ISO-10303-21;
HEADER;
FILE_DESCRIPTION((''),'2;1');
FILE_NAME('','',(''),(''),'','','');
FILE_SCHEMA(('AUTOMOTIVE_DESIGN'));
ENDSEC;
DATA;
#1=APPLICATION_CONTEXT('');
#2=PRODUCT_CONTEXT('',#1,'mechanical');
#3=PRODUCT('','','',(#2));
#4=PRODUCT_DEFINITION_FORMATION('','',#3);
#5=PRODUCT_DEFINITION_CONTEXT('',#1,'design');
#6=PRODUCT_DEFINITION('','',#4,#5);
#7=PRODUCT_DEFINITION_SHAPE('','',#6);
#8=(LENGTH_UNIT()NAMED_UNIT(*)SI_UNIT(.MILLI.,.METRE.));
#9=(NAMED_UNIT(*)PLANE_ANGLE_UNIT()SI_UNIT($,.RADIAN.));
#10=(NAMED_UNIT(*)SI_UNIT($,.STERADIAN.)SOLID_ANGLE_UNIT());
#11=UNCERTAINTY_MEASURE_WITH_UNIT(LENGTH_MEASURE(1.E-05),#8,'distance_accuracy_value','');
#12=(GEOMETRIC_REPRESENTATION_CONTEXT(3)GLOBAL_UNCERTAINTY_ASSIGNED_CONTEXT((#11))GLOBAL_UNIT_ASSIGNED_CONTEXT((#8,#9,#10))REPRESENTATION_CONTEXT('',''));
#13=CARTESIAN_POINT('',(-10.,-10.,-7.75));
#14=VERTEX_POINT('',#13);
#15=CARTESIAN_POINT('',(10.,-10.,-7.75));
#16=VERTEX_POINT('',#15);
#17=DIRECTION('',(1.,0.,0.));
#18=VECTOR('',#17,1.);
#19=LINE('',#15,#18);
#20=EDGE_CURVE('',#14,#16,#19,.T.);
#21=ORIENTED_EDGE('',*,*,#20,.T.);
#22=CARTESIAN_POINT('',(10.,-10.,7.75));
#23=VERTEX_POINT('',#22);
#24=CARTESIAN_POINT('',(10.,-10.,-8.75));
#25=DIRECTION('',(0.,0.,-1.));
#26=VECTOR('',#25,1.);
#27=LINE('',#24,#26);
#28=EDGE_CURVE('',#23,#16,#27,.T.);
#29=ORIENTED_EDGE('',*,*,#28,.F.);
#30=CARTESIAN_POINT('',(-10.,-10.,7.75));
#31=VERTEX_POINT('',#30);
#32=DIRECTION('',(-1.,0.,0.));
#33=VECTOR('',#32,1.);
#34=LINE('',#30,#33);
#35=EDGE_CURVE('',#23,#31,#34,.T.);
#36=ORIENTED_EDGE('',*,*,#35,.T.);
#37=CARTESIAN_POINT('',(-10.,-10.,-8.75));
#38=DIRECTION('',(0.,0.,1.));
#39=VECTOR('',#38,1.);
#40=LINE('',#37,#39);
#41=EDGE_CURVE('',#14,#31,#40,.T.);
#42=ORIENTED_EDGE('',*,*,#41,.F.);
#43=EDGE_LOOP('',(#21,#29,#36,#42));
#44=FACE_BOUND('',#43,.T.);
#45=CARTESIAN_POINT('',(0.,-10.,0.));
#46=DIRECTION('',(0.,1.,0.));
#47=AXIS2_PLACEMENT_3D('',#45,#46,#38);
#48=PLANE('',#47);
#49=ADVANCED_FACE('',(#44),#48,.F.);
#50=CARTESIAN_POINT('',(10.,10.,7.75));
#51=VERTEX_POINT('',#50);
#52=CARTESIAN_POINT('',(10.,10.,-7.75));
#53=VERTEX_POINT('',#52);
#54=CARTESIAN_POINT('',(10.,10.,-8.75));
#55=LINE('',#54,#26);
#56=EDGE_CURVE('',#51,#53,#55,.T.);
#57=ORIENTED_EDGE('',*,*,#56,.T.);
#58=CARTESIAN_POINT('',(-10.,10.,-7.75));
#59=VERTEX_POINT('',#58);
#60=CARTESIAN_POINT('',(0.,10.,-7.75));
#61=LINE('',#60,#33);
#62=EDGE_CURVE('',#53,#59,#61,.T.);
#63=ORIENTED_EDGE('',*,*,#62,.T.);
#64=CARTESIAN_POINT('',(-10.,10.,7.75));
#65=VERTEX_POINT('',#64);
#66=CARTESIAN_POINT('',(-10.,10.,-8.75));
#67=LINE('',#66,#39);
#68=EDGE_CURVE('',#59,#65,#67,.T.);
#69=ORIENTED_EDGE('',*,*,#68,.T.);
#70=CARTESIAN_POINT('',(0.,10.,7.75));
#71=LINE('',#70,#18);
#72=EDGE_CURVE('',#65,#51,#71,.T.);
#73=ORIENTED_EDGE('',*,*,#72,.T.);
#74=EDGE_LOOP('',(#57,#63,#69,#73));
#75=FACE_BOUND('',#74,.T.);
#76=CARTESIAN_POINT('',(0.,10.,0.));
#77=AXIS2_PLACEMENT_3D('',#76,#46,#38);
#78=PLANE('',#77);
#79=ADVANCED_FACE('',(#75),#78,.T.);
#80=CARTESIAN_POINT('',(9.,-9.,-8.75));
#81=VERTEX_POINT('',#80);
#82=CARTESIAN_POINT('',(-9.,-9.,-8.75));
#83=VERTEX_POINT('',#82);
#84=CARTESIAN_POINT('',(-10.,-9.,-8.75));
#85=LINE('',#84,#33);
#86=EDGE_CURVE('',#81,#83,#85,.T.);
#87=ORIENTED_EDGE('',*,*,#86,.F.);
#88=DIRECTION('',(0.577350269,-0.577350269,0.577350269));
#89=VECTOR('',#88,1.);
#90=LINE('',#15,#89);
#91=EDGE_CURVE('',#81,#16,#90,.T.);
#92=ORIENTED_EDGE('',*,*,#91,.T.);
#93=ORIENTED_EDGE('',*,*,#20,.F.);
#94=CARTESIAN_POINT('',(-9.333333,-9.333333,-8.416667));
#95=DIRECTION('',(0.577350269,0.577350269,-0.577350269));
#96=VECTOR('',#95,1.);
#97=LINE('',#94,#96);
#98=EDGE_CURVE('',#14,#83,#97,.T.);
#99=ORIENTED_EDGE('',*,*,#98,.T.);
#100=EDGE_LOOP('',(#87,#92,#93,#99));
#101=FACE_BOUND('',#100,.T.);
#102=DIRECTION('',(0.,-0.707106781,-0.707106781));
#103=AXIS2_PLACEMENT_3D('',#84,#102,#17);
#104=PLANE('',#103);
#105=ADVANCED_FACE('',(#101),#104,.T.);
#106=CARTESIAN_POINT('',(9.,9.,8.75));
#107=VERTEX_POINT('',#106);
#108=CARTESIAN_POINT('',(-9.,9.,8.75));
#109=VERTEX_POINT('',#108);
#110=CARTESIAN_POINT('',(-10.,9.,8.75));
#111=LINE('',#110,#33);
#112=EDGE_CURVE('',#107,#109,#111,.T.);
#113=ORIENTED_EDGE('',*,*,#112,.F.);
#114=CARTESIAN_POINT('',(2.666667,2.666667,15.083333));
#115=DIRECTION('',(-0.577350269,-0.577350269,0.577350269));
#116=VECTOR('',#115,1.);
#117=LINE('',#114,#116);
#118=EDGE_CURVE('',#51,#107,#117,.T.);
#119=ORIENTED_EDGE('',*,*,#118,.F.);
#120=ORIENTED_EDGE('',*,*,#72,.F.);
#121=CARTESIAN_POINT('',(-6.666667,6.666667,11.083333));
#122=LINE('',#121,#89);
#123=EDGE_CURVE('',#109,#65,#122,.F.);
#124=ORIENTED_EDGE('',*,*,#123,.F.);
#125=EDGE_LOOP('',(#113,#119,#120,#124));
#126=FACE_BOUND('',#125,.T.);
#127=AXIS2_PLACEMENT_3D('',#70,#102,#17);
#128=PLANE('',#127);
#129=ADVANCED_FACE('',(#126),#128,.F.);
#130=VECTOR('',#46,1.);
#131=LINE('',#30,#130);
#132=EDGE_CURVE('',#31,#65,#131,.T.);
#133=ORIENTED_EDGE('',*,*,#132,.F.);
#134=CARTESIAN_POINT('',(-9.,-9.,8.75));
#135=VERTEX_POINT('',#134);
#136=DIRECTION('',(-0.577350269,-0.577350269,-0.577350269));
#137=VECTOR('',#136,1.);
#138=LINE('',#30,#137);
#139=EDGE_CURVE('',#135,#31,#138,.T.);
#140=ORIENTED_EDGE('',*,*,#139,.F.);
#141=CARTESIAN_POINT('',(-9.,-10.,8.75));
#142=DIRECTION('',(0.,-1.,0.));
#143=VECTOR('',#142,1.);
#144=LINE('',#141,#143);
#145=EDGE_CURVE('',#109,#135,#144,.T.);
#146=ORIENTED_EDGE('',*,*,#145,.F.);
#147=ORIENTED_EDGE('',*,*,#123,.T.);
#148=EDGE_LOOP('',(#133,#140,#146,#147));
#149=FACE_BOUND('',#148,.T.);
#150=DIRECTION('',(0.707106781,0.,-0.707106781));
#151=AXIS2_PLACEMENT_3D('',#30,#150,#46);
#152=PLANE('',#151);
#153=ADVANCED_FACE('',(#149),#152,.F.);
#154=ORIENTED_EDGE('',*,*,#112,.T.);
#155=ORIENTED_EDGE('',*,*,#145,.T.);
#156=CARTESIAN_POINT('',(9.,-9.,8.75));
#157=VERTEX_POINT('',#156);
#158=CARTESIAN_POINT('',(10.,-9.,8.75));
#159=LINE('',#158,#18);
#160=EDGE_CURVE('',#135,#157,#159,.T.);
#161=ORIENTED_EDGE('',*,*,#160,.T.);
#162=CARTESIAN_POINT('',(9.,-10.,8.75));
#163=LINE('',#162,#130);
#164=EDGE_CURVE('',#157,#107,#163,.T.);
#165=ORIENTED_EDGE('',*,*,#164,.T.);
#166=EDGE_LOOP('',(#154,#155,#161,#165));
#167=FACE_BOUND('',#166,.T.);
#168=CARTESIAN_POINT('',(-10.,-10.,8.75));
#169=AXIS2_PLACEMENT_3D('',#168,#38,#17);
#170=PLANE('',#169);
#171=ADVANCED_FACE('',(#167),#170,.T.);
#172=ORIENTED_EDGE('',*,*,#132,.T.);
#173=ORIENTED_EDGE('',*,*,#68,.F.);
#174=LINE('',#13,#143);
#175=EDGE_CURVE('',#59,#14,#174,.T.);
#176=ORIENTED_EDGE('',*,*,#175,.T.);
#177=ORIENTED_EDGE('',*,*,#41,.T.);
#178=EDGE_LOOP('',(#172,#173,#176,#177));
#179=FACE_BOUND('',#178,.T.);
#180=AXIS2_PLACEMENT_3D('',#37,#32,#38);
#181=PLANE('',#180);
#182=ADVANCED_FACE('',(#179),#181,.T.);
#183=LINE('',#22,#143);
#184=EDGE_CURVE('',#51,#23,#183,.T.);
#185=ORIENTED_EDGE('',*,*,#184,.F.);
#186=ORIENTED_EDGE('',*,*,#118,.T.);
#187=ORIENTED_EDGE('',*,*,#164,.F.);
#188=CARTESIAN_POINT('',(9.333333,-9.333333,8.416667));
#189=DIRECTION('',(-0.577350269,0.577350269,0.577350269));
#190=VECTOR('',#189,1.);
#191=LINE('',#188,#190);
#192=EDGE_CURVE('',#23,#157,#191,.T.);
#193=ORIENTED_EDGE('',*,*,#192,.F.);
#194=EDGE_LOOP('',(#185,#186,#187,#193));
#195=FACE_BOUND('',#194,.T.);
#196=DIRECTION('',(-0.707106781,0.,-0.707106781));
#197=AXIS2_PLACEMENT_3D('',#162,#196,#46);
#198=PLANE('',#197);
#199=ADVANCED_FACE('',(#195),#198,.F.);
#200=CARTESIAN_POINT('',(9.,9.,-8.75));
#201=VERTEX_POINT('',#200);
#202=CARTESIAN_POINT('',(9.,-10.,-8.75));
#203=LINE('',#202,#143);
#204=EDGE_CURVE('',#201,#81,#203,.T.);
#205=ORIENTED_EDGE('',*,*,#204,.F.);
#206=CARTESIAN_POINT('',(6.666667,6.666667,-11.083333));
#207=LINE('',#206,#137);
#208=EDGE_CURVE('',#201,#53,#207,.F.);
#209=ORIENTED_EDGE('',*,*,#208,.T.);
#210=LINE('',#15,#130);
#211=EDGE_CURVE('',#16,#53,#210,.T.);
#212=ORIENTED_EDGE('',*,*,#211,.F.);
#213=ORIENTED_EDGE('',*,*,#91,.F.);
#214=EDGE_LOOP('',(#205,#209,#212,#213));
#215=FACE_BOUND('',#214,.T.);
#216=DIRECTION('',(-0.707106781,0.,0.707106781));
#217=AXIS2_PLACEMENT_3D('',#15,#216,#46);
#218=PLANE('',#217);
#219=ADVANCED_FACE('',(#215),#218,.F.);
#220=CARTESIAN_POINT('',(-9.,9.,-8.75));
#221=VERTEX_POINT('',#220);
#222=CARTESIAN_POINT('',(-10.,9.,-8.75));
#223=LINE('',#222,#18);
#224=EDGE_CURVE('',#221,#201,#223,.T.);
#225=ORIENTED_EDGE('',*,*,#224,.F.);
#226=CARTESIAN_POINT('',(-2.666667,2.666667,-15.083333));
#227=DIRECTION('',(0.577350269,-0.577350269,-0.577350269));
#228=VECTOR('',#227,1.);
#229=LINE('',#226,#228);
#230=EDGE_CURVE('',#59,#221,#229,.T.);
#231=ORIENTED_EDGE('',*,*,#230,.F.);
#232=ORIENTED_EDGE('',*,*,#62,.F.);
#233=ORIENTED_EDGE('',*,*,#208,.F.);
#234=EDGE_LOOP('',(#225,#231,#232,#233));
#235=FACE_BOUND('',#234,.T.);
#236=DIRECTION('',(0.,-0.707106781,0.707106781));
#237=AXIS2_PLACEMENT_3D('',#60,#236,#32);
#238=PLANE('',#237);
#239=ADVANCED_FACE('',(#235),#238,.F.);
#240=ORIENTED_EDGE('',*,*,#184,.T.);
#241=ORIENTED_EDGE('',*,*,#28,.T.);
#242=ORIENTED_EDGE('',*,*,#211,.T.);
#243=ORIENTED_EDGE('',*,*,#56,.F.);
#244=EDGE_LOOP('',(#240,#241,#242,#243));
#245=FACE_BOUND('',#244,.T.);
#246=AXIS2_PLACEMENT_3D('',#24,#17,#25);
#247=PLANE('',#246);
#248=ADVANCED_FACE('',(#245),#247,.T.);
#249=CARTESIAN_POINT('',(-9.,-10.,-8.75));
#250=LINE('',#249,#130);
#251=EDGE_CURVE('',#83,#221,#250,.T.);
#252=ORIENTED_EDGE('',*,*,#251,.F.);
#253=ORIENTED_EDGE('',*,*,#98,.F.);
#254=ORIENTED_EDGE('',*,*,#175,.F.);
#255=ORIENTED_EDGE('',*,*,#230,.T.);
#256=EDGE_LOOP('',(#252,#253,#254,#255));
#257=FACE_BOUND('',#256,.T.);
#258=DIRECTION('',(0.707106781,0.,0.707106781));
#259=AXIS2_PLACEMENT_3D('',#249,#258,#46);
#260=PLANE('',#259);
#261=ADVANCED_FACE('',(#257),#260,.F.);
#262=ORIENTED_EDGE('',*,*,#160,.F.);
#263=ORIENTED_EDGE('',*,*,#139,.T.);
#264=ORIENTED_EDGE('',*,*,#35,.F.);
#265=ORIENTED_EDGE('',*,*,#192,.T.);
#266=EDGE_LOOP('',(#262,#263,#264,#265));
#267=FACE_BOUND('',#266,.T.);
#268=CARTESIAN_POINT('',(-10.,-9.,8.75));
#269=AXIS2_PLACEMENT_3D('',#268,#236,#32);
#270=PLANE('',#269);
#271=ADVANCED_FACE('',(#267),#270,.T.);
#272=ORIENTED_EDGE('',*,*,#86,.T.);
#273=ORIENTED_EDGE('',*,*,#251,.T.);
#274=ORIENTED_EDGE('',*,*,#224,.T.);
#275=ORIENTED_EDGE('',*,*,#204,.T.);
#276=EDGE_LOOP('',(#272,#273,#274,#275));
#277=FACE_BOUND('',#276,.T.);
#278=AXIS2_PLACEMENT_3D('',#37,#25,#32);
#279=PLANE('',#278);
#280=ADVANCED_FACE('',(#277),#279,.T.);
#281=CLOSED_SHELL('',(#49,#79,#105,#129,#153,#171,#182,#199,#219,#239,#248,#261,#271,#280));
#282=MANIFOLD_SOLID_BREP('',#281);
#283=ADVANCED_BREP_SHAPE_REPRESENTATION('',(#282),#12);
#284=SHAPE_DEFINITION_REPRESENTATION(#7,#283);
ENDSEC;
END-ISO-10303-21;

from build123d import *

# Parameters (mm, degrees)
BOSS_EXTRUDE1_DEPTH      = 10
BOSS_EXTRUDE1_DEPTH_BACK = 10
SKETCH1_W                = 20
SKETCH1_H                = 17.5
CHAMFER2_SIZE            = 1


with BuildPart() as part:
    # Sketch1 → Boss-Extrude1 (new, two sides: drawn at the far end of the back side and taken through both)
    with BuildSketch(Plane(origin=(0, 0, 0), x_dir=(1, 0, 0), z_dir=(0, 1, 0)).offset(-BOSS_EXTRUDE1_DEPTH_BACK)):
        Rectangle(SKETCH1_W, SKETCH1_H)
    extrude(amount=BOSS_EXTRUDE1_DEPTH + BOSS_EXTRUDE1_DEPTH_BACK)

    # Chamfer2
    chamfer2_edges = [part.edges().sort_by_distance(p)[0] for p in [
        (0, 10, 8.75),
        (0, -10, -8.75),
        (0, 10, -8.75),
        (0, -10, 8.75),
        (-10, 0, -8.75),
        (10, 0, -8.75),
        (10, 0, 8.75),
        (-10, 0, 8.75),
    ]]
    chamfer(chamfer2_edges, length=CHAMFER2_SIZE)


solid = part.part
